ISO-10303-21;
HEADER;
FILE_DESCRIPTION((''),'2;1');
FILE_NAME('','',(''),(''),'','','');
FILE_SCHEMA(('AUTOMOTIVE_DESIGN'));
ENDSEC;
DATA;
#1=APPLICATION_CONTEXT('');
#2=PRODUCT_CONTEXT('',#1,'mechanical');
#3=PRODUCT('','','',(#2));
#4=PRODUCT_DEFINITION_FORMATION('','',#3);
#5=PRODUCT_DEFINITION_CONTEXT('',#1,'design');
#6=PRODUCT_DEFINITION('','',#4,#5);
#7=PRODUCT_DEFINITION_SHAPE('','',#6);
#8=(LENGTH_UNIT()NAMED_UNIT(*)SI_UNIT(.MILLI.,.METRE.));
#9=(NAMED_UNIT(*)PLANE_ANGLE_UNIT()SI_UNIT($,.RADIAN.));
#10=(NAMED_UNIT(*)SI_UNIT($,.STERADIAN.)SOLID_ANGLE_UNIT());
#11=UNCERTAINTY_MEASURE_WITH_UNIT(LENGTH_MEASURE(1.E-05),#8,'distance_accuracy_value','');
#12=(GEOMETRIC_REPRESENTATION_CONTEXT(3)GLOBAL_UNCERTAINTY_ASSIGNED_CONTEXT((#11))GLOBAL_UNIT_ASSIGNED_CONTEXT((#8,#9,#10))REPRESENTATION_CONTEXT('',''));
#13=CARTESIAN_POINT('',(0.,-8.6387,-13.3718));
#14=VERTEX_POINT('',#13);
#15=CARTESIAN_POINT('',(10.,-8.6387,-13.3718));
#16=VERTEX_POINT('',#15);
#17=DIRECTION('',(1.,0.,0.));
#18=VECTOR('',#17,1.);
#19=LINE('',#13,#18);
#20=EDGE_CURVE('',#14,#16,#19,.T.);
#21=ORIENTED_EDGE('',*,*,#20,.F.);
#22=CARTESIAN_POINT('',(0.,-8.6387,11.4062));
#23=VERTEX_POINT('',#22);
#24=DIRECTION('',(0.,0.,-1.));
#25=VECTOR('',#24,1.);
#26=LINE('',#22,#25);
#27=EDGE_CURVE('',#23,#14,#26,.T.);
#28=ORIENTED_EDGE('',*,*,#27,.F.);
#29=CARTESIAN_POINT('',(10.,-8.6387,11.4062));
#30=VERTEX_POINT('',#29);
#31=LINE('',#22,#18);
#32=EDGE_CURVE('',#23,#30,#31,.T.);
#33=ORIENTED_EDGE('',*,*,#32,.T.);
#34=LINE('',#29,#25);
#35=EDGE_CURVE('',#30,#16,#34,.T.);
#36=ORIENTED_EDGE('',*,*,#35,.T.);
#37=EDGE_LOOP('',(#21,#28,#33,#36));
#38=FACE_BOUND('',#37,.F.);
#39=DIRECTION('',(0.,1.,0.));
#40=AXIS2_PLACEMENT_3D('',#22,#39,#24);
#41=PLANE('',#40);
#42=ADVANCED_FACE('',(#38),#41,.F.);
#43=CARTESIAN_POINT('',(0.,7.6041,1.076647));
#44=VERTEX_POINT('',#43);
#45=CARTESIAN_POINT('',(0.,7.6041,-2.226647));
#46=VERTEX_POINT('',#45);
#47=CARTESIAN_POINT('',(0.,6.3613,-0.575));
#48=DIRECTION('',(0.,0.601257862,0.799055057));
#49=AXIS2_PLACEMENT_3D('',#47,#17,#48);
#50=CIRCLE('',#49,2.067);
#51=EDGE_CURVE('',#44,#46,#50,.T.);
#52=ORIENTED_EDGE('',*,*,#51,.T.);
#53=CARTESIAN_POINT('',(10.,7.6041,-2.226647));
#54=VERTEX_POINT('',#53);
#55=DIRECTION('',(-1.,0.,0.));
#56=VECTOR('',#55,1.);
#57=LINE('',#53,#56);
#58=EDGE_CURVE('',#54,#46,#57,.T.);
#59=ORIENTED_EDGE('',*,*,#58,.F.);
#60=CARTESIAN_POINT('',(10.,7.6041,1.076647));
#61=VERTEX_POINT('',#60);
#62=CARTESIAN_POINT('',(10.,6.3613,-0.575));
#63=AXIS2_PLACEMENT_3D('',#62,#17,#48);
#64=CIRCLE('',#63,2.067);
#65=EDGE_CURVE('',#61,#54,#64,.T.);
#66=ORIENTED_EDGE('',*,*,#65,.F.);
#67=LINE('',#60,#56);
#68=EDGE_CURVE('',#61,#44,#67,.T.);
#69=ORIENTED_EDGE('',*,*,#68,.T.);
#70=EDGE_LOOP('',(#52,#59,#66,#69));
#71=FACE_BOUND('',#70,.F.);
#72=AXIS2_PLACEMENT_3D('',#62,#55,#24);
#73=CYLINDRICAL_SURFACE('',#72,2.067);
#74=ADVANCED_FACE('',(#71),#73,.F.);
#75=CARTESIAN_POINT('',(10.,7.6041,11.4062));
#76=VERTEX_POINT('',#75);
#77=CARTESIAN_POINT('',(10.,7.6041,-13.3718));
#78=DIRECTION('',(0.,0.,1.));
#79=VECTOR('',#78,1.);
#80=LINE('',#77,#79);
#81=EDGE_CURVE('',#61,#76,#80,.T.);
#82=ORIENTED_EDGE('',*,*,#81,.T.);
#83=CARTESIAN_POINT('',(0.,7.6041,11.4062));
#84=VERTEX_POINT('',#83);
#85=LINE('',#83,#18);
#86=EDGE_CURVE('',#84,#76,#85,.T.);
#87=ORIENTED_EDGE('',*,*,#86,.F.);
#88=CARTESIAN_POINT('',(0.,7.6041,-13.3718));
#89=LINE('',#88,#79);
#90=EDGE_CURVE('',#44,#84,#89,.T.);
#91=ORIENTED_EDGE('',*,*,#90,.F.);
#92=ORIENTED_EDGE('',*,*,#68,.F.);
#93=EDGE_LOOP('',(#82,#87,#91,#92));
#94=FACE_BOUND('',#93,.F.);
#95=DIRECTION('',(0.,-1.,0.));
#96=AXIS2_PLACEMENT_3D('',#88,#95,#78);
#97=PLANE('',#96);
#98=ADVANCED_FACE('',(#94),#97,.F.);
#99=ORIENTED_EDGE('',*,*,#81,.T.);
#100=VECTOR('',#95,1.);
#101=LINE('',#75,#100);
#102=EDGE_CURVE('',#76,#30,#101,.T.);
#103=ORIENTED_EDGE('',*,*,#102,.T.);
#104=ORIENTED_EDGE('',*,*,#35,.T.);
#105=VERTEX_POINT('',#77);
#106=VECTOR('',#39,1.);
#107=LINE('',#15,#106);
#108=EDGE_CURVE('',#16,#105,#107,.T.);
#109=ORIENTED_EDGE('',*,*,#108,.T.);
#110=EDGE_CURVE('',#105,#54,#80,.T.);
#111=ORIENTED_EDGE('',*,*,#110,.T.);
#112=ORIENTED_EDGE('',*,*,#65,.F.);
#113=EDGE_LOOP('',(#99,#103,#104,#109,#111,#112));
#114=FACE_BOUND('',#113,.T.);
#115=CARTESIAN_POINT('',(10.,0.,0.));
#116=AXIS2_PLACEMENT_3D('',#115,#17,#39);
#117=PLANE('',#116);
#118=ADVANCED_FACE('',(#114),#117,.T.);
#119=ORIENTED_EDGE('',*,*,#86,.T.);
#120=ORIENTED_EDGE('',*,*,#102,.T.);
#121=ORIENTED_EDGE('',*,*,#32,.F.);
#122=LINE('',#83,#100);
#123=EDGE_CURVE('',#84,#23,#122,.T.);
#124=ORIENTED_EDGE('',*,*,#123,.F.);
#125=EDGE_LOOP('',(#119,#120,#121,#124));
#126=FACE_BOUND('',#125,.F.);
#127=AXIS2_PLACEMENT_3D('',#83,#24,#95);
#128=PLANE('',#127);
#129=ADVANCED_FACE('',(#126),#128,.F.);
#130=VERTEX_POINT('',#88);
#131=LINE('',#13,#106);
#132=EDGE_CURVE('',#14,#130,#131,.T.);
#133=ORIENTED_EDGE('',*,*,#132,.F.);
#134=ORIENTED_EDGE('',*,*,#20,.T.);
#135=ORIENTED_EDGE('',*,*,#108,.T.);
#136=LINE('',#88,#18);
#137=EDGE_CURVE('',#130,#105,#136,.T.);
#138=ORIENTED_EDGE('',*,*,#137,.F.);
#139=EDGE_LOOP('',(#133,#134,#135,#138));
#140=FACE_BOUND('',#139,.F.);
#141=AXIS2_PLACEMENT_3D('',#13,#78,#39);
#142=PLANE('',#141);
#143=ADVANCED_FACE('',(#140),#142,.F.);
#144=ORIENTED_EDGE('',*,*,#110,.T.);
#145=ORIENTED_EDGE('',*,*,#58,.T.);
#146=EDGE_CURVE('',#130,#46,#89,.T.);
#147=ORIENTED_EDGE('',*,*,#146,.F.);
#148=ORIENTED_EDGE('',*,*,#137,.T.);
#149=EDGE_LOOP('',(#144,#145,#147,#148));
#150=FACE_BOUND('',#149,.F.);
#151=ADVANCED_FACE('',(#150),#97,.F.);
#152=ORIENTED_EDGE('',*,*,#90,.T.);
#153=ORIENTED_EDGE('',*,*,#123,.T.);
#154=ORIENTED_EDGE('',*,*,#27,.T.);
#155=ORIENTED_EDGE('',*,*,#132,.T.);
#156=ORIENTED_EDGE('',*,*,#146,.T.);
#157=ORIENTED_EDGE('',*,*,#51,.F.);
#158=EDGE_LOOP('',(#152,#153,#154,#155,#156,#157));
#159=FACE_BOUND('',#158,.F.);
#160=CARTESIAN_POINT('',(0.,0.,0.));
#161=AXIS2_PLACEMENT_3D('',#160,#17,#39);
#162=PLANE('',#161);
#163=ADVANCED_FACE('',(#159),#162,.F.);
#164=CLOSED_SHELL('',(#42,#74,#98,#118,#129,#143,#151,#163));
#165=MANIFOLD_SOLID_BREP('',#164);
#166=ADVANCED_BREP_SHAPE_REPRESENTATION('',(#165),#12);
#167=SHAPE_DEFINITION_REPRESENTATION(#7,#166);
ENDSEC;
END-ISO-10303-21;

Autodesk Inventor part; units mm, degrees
ref_plane "YZ Plane" through (0, 0, 0) normal (1, 0, 0) x (0, 1, 0)
ref_plane "XZ Plane" through (0, 0, 0) normal (0, 1, 0) x (-1, 0, 0)
ref_plane "XY Plane" through (0, 0, 0) normal (0, 0, 1) x (1, 0, 0)
sketch "Boceto1" plane through (0, 0, 0) normal (1, 0, 0) x (0, 1, 0)
  line L0 (7.6041, 11.4062) -> (-8.6387, 11.4062)
  line L1 (-8.6387, 11.4062) -> (-8.6387, -13.3718)
  line L2 (-8.6387, -13.3718) -> (7.6041, -13.3718)
  line L3 (7.6041, -13.3718) -> (7.6041, 11.4062)
  point P0 (0, 0)
extrude "Extrusión1" add sketch "Boceto1" along normal blind 10
sketch "Boceto2" plane through (10, 0, 0) normal (1, 0, 0) x (0, 0, -1)
  line L0 (13.3718, -8.6387) -> (13.3718, 7.6041) projected
  line L1 (-11.4062, -8.6387) -> (13.3718, -8.6387) projected
  point P0 (0, 0)
  point P1 (0.575, 6.3613)
  point P2 (13.3718, -0.5173)
  dimension "d9" = 12.7969
  dimension "d10" = 15
hole "Agujero1" at (10, 6.3613, -0.575) direction (-1, 0, 0) diameter 4.134 end through all thread size "M5x0.8" class "6H" standard "ISO Metric profile"
equation "\"Radio_pliegue\" = Grosor"
equation "\"Anchura_desahogo_plegado\" = Grosor"
equation "\"Profundidad_desahogo_plegado\" = 0.5 * Grosor"
equation "\"Tamaño_destalonado\" = 4 * Grosor"
equation "\"Remanente_mínimo\" = 2 * Grosor"
equation "\"Radiodetransición\" = Radio_pliegue"
equation "\"Tamaño_de_radio_de_Jacobi\" = Radio_pliegue"
equation "\"TamañoSeparación\" = Grosor"
equation "\"Grosor\" = 0.5"
properties part number "Proyecto 1"
